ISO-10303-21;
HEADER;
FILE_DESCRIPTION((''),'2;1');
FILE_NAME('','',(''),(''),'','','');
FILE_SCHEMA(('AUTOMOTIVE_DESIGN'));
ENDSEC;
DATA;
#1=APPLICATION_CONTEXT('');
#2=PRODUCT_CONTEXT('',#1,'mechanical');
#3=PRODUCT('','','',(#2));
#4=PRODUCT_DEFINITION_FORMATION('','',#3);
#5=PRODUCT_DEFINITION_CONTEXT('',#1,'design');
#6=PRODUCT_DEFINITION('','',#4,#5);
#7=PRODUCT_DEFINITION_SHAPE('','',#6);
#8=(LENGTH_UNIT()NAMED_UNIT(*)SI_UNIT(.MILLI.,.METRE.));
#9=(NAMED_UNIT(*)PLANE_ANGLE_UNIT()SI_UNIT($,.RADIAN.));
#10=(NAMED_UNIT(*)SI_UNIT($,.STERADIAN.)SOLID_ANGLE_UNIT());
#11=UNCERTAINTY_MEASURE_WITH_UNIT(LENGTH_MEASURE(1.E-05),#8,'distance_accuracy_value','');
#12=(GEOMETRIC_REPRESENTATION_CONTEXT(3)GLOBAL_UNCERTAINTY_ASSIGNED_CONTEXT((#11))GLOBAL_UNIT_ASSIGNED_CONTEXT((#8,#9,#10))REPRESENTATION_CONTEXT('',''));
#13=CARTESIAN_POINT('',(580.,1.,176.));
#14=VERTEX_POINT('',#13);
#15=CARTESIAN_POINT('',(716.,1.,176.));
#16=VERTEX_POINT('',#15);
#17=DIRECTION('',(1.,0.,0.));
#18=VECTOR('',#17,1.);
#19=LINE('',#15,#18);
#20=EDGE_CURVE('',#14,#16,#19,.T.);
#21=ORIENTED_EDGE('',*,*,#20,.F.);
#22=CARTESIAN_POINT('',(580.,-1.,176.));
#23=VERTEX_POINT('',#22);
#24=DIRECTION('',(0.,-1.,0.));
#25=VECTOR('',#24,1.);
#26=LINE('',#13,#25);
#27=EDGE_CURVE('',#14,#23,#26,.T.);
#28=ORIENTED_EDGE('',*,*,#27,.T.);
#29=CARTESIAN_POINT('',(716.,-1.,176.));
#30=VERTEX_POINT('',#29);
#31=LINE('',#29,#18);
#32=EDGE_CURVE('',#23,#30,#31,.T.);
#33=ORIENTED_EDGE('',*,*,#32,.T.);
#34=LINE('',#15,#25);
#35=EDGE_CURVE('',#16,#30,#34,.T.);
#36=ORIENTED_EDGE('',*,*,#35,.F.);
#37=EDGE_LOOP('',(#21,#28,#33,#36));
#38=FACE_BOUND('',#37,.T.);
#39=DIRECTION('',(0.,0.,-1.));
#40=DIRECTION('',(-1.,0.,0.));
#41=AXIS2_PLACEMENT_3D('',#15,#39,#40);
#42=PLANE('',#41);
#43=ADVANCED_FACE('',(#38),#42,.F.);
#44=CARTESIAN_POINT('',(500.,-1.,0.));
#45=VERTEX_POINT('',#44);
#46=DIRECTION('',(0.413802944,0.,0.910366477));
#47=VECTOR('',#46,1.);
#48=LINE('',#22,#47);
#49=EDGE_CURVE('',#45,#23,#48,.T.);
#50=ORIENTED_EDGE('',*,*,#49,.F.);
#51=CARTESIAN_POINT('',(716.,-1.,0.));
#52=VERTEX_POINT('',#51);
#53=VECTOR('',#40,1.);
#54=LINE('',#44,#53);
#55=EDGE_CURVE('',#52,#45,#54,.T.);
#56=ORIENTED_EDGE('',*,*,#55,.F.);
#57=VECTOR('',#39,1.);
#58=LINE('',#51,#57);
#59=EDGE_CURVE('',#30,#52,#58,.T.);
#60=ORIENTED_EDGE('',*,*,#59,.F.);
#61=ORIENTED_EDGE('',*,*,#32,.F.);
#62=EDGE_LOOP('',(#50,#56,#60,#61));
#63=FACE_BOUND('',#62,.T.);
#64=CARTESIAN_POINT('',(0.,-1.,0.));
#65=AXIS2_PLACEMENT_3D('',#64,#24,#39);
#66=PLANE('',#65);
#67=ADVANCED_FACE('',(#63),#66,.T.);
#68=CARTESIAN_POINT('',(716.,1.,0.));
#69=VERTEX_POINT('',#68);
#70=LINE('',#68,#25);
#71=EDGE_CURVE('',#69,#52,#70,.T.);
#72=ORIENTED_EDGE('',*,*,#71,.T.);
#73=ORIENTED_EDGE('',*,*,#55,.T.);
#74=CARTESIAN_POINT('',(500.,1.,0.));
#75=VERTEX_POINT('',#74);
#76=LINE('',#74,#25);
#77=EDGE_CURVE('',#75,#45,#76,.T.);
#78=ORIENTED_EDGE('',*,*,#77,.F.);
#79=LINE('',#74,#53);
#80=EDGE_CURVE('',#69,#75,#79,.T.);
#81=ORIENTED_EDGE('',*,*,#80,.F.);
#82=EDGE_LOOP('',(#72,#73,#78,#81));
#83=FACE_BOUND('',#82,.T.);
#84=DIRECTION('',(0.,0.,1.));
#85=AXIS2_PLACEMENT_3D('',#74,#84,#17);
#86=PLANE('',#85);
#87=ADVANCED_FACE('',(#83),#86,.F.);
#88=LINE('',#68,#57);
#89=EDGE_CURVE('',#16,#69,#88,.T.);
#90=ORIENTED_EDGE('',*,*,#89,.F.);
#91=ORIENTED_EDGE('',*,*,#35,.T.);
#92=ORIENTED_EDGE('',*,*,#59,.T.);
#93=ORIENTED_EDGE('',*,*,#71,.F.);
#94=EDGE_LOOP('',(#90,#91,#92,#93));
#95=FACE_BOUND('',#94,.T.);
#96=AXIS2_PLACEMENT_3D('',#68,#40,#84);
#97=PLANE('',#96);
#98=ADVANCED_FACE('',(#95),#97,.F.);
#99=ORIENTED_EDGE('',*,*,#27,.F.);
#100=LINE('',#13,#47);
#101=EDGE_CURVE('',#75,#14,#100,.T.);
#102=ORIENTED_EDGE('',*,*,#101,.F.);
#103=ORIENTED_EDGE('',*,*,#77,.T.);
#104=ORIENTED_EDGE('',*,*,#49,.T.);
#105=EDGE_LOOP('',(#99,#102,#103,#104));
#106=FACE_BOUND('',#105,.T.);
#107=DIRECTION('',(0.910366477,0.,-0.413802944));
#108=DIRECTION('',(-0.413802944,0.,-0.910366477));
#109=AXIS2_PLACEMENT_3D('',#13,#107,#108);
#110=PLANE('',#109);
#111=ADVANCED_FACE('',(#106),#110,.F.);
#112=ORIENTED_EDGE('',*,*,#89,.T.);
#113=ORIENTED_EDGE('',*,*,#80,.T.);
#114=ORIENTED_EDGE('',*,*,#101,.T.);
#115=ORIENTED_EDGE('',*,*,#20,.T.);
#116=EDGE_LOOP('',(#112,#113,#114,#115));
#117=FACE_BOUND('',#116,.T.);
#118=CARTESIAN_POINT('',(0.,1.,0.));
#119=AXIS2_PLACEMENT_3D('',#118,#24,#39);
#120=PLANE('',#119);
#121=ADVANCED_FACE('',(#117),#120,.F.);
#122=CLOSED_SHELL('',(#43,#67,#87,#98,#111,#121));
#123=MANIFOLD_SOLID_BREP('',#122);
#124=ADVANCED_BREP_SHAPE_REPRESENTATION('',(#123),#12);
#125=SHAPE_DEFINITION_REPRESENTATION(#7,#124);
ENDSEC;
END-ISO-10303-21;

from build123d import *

# Parameters (mm, degrees)
BOSS_EXTRUDE1_DEPTH = 1


with BuildPart() as part:
    # Sketch1 → Boss-Extrude1 (new, symmetric)
    with BuildSketch(Plane(origin=(0, 0, 0), x_dir=(1, 0, 0), z_dir=(0, 1, 0))):
        Polygon((500, 0), (716, 0), (716, -176), (580, -176), align=None)
    extrude(amount=BOSS_EXTRUDE1_DEPTH, both=True)


solid = part.part
